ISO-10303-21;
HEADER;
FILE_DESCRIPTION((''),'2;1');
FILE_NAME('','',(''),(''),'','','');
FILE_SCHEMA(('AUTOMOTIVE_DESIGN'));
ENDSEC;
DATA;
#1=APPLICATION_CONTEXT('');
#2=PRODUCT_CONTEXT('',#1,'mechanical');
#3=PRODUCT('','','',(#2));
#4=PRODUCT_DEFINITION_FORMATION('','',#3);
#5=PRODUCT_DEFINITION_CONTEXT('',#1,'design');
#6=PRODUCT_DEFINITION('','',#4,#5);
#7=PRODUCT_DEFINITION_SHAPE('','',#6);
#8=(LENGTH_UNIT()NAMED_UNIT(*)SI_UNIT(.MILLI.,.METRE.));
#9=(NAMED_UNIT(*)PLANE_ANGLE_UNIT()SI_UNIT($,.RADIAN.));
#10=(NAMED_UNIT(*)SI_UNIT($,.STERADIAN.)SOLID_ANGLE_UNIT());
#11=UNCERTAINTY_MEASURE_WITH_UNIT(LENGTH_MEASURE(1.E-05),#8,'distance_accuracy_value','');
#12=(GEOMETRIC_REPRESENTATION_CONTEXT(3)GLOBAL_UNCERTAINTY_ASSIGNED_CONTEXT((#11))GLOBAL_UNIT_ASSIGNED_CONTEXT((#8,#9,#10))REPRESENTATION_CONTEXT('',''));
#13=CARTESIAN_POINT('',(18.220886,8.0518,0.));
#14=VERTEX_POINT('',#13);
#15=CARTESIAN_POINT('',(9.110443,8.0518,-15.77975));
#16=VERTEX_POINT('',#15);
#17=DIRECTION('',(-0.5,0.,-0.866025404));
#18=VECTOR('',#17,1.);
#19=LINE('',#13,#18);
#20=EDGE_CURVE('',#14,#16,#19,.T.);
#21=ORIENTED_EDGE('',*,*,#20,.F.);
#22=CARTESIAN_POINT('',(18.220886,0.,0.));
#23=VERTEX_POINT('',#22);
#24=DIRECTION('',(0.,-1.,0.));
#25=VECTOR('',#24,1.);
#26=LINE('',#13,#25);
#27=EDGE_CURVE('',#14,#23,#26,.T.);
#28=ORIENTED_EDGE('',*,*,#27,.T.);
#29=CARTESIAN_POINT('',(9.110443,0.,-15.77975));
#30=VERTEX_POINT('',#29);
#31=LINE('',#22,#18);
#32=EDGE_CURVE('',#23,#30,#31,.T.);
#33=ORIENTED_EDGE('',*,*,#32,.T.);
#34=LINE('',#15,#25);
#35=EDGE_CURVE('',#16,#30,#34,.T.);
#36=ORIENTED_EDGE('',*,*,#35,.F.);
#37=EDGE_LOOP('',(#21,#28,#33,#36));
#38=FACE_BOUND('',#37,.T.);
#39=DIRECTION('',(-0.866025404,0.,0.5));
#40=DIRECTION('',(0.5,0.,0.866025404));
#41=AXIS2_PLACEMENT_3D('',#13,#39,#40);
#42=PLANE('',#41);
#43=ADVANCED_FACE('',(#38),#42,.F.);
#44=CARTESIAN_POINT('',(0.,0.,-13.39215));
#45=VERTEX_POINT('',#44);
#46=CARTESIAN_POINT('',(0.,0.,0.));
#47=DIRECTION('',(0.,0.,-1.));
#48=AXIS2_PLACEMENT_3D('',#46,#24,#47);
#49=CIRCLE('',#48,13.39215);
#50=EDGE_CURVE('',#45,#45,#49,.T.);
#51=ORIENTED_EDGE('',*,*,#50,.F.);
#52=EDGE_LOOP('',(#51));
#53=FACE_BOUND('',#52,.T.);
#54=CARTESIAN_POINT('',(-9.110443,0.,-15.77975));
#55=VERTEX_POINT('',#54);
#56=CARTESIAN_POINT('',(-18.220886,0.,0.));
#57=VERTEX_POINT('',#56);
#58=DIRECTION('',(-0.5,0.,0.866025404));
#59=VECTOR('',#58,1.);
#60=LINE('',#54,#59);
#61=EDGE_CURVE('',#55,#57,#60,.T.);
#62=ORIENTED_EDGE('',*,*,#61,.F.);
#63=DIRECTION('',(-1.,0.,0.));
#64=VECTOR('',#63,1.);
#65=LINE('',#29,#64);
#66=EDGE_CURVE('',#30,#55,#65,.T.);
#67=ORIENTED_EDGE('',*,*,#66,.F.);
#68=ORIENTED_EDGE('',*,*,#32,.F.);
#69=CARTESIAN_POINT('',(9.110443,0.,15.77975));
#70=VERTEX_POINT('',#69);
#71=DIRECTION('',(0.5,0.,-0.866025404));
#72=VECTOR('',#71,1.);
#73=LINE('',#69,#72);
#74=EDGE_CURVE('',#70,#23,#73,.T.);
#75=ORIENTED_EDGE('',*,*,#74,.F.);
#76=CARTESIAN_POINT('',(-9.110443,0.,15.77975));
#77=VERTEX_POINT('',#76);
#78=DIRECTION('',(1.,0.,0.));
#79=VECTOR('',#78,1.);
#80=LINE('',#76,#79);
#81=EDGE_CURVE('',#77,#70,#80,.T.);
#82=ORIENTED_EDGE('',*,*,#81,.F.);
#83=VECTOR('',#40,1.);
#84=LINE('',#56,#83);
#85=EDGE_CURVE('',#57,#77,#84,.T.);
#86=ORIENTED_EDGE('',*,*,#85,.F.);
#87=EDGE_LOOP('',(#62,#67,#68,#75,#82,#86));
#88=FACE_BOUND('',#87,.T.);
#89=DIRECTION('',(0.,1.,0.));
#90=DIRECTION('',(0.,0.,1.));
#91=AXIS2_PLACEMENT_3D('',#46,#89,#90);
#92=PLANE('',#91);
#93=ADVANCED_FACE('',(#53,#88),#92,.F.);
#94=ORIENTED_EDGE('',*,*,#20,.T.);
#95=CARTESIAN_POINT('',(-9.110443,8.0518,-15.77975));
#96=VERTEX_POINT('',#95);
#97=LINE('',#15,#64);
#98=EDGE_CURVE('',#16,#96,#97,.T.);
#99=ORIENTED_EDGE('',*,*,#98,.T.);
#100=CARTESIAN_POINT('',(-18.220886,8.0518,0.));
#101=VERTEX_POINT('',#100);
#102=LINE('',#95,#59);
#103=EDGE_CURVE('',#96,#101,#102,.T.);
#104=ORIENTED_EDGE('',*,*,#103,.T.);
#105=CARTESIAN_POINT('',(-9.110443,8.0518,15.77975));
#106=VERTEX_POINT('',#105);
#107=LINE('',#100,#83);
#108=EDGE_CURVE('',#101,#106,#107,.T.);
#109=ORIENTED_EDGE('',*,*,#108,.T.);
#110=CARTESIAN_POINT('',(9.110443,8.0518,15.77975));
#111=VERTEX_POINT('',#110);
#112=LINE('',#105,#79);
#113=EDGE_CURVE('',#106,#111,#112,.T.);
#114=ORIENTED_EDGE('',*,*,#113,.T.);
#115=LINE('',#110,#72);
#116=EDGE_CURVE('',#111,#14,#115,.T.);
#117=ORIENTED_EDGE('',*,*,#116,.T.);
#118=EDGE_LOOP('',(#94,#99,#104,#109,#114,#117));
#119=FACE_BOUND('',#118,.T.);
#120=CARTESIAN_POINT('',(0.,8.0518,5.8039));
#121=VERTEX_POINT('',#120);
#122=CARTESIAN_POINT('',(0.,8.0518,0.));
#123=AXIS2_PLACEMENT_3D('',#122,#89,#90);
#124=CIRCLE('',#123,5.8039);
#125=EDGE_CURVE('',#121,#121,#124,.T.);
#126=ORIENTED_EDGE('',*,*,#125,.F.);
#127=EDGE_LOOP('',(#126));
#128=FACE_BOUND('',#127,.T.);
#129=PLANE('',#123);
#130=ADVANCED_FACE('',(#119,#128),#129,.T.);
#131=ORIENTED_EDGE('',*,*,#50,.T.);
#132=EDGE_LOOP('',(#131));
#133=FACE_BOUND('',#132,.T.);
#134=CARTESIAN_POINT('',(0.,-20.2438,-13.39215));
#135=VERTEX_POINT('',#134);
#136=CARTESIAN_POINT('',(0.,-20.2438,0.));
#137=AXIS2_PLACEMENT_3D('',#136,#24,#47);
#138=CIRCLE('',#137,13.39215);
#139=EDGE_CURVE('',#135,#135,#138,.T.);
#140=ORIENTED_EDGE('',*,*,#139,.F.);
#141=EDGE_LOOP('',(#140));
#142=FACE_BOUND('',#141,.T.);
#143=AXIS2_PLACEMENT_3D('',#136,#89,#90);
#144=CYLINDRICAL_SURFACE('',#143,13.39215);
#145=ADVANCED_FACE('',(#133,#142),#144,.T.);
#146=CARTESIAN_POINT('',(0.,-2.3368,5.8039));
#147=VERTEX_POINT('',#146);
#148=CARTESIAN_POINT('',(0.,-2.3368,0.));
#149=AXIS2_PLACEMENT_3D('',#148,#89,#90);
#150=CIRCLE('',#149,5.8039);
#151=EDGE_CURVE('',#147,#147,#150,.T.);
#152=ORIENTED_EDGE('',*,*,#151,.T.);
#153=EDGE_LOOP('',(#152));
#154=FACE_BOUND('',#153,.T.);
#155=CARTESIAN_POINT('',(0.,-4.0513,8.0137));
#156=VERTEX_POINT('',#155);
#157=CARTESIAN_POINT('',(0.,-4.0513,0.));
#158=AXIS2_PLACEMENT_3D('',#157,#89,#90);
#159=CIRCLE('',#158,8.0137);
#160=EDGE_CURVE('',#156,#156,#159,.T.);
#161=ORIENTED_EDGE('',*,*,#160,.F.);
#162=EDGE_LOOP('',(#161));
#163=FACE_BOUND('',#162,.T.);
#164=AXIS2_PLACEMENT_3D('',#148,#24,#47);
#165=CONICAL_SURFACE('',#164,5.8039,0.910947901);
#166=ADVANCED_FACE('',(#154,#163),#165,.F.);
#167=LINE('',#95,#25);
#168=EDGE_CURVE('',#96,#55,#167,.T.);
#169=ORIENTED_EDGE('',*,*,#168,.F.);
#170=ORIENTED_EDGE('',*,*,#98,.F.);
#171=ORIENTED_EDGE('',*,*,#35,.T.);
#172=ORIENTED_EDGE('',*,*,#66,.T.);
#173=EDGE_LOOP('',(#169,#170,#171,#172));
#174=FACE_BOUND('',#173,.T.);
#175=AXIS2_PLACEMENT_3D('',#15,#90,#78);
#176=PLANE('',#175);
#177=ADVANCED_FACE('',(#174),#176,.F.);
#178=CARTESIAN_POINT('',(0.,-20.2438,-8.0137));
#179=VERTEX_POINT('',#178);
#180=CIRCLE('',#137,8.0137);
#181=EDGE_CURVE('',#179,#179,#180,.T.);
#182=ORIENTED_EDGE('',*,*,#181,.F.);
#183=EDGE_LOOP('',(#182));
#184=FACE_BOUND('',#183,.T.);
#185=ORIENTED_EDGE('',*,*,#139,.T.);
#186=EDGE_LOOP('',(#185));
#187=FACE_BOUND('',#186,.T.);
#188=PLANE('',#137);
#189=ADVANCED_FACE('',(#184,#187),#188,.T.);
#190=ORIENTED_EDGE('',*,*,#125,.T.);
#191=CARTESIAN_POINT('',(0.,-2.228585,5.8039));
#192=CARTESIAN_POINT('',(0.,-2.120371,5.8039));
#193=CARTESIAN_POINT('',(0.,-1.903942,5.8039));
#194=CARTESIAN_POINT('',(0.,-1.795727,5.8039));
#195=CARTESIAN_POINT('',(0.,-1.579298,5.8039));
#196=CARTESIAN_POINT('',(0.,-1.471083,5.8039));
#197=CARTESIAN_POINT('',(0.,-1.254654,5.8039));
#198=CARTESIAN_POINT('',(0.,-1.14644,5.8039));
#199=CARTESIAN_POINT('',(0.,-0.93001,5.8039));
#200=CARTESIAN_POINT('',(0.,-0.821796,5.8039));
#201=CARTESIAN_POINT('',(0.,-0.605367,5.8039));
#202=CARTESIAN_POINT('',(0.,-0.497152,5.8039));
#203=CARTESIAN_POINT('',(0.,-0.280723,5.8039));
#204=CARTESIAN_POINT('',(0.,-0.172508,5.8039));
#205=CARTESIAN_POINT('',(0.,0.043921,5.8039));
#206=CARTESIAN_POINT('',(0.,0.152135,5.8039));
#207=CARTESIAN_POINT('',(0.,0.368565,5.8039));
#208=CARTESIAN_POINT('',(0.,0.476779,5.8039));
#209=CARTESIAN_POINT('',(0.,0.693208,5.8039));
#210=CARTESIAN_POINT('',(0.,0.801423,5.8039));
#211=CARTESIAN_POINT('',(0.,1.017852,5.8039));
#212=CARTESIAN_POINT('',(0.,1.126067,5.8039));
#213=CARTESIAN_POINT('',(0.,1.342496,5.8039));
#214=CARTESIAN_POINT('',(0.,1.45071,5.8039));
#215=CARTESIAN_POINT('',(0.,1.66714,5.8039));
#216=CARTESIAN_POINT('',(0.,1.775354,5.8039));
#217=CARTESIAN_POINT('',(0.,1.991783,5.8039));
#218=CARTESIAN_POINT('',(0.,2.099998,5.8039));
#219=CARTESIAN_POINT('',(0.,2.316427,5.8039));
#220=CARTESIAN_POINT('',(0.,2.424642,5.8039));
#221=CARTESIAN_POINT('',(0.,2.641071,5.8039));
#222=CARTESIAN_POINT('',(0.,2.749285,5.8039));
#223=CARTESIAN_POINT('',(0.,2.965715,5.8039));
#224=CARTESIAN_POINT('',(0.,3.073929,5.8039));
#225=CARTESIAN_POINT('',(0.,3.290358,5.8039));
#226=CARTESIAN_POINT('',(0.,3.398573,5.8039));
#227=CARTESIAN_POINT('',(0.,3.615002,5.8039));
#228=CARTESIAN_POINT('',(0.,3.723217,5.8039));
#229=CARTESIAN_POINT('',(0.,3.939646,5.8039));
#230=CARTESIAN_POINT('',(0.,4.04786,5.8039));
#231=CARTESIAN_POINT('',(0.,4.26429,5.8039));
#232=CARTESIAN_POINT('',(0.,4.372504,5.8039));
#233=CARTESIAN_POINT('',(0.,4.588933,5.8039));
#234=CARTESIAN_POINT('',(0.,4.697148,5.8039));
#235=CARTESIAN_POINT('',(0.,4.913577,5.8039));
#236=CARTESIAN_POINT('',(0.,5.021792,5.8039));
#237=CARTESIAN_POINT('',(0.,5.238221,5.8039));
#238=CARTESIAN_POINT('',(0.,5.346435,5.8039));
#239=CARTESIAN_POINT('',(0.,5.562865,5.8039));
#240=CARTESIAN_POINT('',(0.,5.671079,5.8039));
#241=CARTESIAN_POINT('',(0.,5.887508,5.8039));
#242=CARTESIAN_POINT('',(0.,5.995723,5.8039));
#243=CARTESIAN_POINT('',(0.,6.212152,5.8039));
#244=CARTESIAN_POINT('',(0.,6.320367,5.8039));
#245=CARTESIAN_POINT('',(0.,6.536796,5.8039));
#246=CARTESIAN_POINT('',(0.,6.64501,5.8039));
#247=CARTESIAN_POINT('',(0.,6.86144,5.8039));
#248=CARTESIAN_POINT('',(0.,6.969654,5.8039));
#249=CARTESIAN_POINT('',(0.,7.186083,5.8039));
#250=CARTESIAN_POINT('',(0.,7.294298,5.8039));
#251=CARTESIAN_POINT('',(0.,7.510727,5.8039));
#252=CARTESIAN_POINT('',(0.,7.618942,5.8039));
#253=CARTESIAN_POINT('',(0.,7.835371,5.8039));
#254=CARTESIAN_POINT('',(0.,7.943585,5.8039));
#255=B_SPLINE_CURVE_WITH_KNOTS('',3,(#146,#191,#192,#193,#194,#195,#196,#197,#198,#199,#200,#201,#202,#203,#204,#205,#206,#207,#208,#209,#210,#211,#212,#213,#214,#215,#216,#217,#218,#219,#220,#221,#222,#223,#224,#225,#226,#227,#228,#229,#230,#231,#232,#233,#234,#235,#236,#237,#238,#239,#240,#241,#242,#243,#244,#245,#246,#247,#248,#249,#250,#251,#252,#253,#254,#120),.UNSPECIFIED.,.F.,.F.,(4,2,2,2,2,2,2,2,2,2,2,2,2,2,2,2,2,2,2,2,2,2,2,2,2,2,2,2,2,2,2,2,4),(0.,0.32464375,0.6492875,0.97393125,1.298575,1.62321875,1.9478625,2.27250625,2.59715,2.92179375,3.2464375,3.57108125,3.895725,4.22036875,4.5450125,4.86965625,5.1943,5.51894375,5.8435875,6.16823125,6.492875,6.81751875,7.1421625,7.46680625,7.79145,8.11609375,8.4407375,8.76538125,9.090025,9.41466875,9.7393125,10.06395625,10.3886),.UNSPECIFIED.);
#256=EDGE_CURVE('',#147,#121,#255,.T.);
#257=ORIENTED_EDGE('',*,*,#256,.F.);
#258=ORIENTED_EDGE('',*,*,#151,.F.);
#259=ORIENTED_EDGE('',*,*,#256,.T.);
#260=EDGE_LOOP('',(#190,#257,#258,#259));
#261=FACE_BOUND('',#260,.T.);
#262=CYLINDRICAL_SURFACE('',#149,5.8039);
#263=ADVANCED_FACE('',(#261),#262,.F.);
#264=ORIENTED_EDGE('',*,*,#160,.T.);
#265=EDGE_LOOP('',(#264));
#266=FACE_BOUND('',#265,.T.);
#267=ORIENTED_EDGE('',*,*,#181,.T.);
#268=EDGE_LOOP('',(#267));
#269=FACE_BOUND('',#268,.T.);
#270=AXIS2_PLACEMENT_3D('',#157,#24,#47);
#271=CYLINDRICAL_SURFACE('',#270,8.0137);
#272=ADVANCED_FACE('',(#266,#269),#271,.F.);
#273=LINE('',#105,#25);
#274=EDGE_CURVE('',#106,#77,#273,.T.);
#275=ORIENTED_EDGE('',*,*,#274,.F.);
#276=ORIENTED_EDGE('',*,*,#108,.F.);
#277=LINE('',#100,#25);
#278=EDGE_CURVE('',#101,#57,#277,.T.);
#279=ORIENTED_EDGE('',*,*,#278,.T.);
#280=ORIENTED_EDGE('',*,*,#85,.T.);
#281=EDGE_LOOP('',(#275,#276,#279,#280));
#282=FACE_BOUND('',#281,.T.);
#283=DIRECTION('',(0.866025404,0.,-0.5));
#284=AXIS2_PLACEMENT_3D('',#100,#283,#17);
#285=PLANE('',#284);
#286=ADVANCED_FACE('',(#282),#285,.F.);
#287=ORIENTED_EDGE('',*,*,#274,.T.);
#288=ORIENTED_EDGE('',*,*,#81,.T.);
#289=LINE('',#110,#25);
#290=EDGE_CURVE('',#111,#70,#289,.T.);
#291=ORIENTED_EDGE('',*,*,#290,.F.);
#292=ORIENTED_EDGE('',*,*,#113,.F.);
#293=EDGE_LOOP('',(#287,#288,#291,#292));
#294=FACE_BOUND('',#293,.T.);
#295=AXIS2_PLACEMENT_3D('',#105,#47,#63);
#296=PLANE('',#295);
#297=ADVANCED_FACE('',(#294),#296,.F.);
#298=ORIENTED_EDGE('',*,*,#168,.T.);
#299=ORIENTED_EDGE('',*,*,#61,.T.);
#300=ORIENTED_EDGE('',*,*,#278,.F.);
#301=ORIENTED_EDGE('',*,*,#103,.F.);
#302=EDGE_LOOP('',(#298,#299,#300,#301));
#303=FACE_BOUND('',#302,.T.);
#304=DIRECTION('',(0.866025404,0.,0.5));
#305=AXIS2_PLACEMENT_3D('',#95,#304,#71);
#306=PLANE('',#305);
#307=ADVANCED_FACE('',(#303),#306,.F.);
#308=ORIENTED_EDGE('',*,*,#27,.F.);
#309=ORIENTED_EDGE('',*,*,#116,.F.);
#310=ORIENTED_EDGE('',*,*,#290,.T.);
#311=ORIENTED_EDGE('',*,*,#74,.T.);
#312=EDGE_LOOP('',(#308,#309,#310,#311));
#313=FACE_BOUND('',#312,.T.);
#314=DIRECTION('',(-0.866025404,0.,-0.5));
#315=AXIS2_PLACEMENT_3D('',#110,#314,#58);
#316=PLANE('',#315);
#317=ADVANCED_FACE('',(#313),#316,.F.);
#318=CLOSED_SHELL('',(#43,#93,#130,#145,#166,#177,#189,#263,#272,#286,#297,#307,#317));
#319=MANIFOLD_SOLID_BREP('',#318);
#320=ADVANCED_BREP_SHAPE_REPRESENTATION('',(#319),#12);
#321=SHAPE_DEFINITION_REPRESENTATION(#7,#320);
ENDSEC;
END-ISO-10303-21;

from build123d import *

# Parameters (mm, degrees)
BOSS_EXTRUDE1_DEPTH = 8.0518
SKETCH2_R           = 13.39215
BOSS_EXTRUDE2_DEPTH = 20.2438
SKETCH3_R           = 5.8039
CUT_EXTRUDE1_DEPTH  = 10.3886
SKETCH4_R           = 8.0137
CUT_EXTRUDE2_DEPTH  = 16.1925


with BuildPart() as part:
    # Sketch1 → Boss-Extrude1 (new body)
    with BuildSketch(Plane(origin=(0, 0, 0), x_dir=(1, 0, 0), z_dir=(0, 1, 0))):
        Polygon((18.22088582, 0), (9.11044291, 15.77975), (-9.11044291, 15.77975), (-18.22088582, 0), (-9.11044291, -15.77975), (9.11044291, -15.77975), align=None)
    extrude(amount=BOSS_EXTRUDE1_DEPTH)

    # Sketch2 → Boss-Extrude2 (add)
    with BuildSketch(Plane(origin=(0, 0, 0), x_dir=(-1, 0, 0), z_dir=(0, -1, 0))):
        with Locations(Location((0, 0, 0), (0, 0, 90))):
            Circle(SKETCH2_R)
    extrude(amount=BOSS_EXTRUDE2_DEPTH)

    # Sketch3 → Cut-Extrude1 (cut)
    with BuildSketch(Plane(origin=(0, 8.0518, 0), x_dir=(1, 0, 0), z_dir=(0, 1, 0))):
        with Locations(Location((0, 0, 0), (0, 0, 270))):
            Circle(SKETCH3_R)
    extrude(amount=-CUT_EXTRUDE1_DEPTH, mode=Mode.SUBTRACT)

    # Sketch4 → Cut-Extrude2 (cut)
    with BuildSketch(Plane.XZ.offset(20.2438)):
        with Locations(Location((0, 0, 0), (0, 0, 270))):
            Circle(SKETCH4_R)
    extrude(amount=-CUT_EXTRUDE2_DEPTH, mode=Mode.SUBTRACT)

    # Sketch5 → Cut-Revolve4 (revolve, cut)
    with BuildSketch(Plane.XY, mode=Mode.PRIVATE) as cut_revolve4_sk:
        Polygon((0, -2.3368), (0, -4.0513), (-8.0137, -4.0513), (-5.8039, -2.3368), align=None)
    revolve(cut_revolve4_sk.sketch.rotate(Axis((0, -2.3368, 0), (0, -1, 0)), 270), axis=Axis((0, -2.3368, 0), (0, -1, 0)), mode=Mode.SUBTRACT)


solid = part.part
